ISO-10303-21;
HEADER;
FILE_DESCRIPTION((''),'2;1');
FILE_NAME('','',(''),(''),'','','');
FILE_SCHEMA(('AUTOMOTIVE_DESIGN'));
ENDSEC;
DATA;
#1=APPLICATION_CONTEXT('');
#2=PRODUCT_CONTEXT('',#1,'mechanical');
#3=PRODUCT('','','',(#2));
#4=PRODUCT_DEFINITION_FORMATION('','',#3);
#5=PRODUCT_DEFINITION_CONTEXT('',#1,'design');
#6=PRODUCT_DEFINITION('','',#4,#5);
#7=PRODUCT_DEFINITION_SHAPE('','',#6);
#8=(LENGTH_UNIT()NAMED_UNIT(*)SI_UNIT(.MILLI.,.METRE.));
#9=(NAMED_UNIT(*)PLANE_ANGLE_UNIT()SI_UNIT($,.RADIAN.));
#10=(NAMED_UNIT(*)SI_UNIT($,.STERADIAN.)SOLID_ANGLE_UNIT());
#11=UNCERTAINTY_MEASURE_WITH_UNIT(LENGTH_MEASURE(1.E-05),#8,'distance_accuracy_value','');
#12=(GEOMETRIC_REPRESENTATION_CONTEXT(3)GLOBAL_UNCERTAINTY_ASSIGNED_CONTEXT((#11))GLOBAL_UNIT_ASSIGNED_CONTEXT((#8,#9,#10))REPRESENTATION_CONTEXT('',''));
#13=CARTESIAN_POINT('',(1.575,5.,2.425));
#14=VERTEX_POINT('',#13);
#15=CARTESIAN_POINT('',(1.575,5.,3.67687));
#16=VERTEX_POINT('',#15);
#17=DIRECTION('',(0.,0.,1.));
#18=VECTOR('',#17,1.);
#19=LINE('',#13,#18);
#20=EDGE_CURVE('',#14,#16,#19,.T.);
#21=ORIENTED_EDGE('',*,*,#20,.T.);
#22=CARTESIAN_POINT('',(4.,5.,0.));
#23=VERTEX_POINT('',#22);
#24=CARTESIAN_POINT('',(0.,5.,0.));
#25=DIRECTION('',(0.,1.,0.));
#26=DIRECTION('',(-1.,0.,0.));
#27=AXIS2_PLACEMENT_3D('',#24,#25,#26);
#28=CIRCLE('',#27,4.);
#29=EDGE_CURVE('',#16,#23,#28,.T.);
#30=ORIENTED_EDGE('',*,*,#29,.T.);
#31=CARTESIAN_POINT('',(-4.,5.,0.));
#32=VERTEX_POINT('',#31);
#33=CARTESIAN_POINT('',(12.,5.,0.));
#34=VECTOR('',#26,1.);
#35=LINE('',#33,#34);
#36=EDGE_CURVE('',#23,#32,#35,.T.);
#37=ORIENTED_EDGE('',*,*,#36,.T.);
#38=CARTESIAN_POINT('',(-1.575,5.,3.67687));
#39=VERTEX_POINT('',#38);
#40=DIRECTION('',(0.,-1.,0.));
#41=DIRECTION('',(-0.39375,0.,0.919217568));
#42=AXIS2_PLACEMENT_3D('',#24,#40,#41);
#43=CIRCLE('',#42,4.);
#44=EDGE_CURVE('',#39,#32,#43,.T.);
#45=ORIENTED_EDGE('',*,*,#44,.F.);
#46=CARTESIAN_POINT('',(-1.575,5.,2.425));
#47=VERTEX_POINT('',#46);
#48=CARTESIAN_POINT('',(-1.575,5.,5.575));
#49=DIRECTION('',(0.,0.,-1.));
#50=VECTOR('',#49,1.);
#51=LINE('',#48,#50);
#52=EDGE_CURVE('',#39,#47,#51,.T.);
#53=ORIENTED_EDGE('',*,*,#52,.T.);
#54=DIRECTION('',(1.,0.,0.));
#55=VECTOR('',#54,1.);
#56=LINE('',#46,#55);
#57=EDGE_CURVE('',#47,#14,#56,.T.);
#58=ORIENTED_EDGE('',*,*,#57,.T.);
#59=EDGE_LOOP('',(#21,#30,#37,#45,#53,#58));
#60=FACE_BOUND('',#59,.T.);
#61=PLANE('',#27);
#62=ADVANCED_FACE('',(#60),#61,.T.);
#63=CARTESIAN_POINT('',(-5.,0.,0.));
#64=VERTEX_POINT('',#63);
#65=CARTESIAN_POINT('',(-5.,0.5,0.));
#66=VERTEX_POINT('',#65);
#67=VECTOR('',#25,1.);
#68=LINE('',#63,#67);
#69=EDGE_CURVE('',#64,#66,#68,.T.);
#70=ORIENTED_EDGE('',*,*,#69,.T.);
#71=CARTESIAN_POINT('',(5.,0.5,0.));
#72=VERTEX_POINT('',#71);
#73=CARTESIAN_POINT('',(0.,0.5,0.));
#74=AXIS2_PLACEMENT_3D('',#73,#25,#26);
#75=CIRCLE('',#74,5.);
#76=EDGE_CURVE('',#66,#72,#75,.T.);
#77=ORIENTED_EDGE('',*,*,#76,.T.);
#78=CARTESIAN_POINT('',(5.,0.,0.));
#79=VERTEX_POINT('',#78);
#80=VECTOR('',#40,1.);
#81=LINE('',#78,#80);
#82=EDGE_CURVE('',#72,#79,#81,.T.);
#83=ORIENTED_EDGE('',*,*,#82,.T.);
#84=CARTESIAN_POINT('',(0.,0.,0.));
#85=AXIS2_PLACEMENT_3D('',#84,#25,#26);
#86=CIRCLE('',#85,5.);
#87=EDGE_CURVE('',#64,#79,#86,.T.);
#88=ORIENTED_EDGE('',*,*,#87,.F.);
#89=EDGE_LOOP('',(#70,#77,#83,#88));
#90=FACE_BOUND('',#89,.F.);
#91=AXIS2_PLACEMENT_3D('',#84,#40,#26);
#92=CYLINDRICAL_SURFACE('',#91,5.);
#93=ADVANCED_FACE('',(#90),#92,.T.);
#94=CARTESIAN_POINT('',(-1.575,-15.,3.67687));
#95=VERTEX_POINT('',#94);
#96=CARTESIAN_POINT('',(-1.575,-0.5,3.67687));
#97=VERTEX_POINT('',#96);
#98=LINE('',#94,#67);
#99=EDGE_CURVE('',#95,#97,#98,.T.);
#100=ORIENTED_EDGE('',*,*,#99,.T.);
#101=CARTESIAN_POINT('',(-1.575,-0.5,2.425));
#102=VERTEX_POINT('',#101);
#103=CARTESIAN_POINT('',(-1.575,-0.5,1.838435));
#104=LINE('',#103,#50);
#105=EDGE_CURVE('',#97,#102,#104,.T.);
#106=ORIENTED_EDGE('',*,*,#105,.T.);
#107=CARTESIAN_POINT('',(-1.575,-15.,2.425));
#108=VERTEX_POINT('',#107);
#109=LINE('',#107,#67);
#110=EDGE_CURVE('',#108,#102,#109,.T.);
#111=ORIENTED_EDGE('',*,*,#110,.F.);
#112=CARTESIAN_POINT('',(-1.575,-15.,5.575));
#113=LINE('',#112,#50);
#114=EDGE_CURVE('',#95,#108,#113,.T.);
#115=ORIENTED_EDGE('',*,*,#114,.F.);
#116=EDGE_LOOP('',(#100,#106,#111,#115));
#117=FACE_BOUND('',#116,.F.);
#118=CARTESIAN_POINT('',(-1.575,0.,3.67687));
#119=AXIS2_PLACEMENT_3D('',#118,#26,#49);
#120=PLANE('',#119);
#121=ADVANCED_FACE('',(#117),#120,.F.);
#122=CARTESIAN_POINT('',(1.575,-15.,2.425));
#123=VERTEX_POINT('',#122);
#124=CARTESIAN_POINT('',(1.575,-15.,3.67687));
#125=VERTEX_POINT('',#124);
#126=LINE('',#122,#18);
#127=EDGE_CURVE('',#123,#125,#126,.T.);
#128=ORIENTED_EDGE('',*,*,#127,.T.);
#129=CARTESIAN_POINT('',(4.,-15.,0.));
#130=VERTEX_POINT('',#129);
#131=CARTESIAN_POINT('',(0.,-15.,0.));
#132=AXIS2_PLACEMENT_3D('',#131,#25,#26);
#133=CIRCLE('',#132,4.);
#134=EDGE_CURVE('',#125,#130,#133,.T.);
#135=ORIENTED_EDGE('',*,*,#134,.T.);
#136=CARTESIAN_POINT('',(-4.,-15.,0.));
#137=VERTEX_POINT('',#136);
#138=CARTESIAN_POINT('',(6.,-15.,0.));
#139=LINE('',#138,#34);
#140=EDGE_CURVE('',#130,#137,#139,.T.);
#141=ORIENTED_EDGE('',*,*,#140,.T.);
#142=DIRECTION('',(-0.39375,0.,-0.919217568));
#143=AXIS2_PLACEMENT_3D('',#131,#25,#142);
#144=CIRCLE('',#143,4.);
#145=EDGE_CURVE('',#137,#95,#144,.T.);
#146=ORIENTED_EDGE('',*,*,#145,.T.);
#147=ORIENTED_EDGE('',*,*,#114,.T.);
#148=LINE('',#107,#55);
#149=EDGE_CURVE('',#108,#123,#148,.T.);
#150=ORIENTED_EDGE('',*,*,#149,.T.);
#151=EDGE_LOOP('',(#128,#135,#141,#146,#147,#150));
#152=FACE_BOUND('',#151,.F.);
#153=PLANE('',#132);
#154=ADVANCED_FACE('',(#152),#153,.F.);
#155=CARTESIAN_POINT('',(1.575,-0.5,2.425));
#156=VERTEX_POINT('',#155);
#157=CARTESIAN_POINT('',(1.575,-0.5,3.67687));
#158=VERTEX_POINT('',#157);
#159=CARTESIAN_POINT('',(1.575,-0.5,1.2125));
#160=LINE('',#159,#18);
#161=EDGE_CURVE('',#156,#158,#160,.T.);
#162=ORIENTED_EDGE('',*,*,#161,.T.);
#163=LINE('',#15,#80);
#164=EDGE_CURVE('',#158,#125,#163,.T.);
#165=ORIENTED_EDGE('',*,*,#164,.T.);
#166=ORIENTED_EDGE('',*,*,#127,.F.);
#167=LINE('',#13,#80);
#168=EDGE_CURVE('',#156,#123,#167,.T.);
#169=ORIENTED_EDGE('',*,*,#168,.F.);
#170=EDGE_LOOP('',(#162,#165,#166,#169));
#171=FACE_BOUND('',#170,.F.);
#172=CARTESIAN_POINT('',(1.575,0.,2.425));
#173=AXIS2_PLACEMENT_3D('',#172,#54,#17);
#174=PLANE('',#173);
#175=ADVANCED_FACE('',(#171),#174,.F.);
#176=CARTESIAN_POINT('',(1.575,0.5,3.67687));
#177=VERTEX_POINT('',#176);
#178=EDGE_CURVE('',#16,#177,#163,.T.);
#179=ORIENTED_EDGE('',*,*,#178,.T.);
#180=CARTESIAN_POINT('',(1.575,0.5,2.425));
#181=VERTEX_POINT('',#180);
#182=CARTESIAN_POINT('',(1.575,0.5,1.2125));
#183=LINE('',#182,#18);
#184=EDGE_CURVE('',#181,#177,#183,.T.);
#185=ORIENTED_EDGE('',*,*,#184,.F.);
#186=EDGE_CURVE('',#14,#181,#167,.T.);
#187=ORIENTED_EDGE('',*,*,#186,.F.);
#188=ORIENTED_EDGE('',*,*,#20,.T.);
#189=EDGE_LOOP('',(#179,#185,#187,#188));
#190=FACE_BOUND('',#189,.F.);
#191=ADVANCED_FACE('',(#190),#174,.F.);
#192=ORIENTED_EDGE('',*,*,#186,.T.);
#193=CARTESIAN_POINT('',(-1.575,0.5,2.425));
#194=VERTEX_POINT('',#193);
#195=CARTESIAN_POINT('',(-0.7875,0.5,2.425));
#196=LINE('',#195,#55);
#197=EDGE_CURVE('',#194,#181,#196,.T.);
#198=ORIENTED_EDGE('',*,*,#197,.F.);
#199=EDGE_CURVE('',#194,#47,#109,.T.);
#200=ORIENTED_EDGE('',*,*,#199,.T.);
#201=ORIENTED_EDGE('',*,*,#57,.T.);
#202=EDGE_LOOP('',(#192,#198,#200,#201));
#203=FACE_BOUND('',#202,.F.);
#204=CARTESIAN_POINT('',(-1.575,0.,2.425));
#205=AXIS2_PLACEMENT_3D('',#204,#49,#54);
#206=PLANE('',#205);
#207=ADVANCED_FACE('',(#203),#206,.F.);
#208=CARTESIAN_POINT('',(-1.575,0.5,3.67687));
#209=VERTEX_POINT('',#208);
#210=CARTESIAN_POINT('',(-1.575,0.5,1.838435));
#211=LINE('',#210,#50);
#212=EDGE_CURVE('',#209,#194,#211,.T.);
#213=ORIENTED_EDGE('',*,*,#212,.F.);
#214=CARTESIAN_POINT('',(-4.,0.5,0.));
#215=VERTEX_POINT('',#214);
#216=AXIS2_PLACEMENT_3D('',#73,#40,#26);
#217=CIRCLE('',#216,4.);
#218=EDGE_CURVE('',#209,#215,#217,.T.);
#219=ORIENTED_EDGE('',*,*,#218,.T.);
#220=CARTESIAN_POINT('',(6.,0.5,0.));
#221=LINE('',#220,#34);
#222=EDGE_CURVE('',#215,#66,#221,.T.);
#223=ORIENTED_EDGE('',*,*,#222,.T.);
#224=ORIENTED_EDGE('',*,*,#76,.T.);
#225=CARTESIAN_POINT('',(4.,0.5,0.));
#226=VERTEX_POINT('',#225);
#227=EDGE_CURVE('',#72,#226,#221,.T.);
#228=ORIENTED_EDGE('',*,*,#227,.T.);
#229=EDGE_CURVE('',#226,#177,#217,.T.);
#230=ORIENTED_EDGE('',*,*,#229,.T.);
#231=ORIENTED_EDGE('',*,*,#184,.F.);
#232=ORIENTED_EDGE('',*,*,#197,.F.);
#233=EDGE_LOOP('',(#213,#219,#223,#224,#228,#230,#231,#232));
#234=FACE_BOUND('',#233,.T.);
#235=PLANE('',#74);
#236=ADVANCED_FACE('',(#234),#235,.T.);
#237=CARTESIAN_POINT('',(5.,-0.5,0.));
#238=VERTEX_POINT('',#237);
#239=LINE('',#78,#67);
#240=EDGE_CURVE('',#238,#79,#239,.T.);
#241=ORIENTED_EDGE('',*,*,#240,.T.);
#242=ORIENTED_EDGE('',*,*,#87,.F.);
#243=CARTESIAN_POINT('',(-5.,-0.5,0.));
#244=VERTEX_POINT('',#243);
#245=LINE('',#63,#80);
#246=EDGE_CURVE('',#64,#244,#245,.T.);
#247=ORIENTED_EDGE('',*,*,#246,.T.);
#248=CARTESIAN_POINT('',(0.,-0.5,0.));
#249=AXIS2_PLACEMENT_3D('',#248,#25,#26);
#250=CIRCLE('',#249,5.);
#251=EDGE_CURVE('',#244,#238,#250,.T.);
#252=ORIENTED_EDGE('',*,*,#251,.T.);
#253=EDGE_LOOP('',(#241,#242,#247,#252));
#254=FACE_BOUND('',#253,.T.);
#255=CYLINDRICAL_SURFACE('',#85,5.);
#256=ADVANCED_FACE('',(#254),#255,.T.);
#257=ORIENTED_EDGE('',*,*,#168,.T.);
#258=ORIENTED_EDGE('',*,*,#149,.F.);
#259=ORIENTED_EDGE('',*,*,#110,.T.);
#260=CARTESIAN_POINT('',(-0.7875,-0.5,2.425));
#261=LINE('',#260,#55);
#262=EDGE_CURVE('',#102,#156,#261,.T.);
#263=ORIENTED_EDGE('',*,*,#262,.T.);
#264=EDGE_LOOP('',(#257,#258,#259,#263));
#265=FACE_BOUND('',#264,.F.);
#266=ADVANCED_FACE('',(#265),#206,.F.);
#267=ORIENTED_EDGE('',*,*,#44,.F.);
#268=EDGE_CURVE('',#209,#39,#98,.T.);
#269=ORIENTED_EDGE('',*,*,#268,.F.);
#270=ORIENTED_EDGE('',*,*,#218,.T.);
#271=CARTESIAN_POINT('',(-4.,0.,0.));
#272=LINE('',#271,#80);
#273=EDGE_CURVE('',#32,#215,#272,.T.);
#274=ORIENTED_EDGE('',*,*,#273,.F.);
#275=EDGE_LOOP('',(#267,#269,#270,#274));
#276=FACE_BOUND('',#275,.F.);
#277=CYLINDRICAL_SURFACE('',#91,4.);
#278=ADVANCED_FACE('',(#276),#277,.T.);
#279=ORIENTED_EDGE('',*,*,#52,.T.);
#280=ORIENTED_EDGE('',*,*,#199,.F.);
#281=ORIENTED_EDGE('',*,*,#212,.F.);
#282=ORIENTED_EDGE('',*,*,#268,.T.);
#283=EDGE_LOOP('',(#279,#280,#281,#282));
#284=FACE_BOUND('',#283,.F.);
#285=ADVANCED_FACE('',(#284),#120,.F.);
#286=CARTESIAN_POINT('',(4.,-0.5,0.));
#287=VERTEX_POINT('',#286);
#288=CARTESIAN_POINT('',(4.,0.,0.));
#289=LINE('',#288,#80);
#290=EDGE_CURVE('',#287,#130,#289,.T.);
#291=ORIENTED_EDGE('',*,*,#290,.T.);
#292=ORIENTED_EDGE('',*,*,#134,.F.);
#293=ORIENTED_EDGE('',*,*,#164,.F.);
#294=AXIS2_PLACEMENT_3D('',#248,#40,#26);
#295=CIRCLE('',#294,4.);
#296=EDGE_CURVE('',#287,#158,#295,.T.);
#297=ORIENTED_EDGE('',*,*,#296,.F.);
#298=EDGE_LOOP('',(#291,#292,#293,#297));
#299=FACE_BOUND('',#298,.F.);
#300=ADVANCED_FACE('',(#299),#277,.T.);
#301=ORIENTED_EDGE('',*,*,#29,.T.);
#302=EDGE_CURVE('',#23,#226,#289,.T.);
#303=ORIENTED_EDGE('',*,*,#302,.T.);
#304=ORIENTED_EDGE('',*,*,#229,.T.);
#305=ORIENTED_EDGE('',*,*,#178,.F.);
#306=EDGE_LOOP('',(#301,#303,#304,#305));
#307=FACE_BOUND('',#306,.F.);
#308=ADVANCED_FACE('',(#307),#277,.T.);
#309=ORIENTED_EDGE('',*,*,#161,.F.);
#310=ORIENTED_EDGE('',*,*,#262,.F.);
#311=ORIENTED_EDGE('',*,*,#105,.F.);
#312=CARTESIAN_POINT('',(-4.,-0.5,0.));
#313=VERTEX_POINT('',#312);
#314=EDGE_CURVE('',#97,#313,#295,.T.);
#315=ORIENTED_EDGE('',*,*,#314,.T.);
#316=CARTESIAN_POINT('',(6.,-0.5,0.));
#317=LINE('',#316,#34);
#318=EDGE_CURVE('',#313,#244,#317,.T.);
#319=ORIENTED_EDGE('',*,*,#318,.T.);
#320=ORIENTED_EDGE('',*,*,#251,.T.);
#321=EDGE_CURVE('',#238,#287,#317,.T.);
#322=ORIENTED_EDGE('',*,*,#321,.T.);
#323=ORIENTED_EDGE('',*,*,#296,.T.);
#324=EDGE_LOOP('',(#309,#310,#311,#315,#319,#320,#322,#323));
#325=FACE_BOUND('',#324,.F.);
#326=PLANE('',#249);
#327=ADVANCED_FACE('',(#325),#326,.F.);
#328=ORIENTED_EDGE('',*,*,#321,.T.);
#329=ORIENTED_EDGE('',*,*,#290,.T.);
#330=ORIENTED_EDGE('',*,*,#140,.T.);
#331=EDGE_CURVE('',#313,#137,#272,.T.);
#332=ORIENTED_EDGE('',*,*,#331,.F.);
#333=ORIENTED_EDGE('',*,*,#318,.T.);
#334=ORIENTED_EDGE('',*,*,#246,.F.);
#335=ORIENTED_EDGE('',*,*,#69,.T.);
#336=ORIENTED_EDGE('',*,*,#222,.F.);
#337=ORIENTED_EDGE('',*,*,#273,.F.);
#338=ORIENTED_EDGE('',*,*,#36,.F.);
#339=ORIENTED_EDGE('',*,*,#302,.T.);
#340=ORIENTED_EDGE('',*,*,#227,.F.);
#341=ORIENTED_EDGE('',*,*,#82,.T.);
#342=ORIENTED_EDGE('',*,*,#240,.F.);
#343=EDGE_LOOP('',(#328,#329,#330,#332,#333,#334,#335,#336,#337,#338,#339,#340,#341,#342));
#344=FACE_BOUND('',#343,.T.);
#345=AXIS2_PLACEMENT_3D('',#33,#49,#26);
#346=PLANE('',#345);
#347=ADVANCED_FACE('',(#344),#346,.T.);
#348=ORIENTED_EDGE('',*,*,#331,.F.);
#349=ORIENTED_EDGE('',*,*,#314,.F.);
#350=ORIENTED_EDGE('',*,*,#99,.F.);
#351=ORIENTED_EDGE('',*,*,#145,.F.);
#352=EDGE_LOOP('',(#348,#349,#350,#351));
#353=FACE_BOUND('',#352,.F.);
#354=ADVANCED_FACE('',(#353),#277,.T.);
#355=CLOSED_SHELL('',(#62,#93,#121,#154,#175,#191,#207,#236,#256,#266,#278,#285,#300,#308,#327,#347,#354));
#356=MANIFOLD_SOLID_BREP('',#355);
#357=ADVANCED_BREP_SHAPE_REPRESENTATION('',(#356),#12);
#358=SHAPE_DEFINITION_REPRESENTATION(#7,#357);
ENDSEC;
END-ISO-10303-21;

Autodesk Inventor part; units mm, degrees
ref_plane "YZ Plane" through (0, 0, 0) normal (1, 0, 0) x (0, 1, 0)
ref_plane "XZ Plane" through (0, 0, 0) normal (0, 1, 0) x (-1, 0, 0)
ref_plane "XY Plane" through (0, 0, 0) normal (0, 0, 1) x (1, 0, 0)
sketch "Sketch1" plane through (0, 0, 0) normal (0, 1, 0) x (-1, 0, 0)
  circle A0 centre (0, 0) radius 4
  line L0 (-1.575, 5.575) -> (1.575, 5.575)
  line L1 (1.575, 5.575) -> (1.575, 2.425)
  line L2 (1.575, 2.425) -> (-1.575, 2.425)
  line L3 (-1.575, 2.425) -> (-1.575, 5.575)
  line L4 (-1.575, 5.575) -> (1.575, 2.425) construction
  line L5 (1.575, 5.575) -> (-1.575, 2.425) construction
  line L6 (-1.575, -2.425) -> (1.575, -2.425)
  line L7 (1.575, -2.425) -> (1.575, -5.575)
  line L8 (1.575, -5.575) -> (-1.575, -5.575)
  line L9 (-1.575, -5.575) -> (-1.575, -2.425)
  line L10 (-1.575, -2.425) -> (1.575, -5.575) construction
  line L11 (1.575, -2.425) -> (-1.575, -5.575) construction
  point P0 (0, 0)
  point P1 (0, 4)
  point P2 (0, -4)
  point P3 (-1.575, 3.6769)
  point P4 (-1.575, -3.6769)
  point P5 (1.575, -3.6769)
  point P6 (1.575, 3.6769)
  dimension "d0" = 8
  dimension "d10" = 3.15
  dimension "d11" = 3.15
  dimension "d12" = 3.15
  dimension "d13" = 3.15
extrude "Extrusion1" add sketch "Sketch1" along normal blind 5 and the other way blind 15 contours A0 L7 L6 L9 L3 L2 L1
sketch "Sketch2" plane through (0, 0, 0) normal (0, 1, 0) x (-1, 0, 0)
  circle A0 centre (0, 0) radius 5
  dimension "d3" = 10
extrude "Extrusion2" add sketch "Sketch2" along normal mid plane 1
sketch "Sketch3" plane through (0, 5, 0) normal (0, 1, 0) x (0, 0, 1)
  line L0 (0, -14) -> (-10, -14)
  line L1 (-10, -14) -> (-10, 12)
  line L2 (-10, 12) -> (0, 12)
  line L3 (0, 12) -> (0, -14)
  point P0 (0, 0)
extrude "Extrusion3" cut sketch "Sketch3" against normal blind 22
properties part number "halfAxel"
